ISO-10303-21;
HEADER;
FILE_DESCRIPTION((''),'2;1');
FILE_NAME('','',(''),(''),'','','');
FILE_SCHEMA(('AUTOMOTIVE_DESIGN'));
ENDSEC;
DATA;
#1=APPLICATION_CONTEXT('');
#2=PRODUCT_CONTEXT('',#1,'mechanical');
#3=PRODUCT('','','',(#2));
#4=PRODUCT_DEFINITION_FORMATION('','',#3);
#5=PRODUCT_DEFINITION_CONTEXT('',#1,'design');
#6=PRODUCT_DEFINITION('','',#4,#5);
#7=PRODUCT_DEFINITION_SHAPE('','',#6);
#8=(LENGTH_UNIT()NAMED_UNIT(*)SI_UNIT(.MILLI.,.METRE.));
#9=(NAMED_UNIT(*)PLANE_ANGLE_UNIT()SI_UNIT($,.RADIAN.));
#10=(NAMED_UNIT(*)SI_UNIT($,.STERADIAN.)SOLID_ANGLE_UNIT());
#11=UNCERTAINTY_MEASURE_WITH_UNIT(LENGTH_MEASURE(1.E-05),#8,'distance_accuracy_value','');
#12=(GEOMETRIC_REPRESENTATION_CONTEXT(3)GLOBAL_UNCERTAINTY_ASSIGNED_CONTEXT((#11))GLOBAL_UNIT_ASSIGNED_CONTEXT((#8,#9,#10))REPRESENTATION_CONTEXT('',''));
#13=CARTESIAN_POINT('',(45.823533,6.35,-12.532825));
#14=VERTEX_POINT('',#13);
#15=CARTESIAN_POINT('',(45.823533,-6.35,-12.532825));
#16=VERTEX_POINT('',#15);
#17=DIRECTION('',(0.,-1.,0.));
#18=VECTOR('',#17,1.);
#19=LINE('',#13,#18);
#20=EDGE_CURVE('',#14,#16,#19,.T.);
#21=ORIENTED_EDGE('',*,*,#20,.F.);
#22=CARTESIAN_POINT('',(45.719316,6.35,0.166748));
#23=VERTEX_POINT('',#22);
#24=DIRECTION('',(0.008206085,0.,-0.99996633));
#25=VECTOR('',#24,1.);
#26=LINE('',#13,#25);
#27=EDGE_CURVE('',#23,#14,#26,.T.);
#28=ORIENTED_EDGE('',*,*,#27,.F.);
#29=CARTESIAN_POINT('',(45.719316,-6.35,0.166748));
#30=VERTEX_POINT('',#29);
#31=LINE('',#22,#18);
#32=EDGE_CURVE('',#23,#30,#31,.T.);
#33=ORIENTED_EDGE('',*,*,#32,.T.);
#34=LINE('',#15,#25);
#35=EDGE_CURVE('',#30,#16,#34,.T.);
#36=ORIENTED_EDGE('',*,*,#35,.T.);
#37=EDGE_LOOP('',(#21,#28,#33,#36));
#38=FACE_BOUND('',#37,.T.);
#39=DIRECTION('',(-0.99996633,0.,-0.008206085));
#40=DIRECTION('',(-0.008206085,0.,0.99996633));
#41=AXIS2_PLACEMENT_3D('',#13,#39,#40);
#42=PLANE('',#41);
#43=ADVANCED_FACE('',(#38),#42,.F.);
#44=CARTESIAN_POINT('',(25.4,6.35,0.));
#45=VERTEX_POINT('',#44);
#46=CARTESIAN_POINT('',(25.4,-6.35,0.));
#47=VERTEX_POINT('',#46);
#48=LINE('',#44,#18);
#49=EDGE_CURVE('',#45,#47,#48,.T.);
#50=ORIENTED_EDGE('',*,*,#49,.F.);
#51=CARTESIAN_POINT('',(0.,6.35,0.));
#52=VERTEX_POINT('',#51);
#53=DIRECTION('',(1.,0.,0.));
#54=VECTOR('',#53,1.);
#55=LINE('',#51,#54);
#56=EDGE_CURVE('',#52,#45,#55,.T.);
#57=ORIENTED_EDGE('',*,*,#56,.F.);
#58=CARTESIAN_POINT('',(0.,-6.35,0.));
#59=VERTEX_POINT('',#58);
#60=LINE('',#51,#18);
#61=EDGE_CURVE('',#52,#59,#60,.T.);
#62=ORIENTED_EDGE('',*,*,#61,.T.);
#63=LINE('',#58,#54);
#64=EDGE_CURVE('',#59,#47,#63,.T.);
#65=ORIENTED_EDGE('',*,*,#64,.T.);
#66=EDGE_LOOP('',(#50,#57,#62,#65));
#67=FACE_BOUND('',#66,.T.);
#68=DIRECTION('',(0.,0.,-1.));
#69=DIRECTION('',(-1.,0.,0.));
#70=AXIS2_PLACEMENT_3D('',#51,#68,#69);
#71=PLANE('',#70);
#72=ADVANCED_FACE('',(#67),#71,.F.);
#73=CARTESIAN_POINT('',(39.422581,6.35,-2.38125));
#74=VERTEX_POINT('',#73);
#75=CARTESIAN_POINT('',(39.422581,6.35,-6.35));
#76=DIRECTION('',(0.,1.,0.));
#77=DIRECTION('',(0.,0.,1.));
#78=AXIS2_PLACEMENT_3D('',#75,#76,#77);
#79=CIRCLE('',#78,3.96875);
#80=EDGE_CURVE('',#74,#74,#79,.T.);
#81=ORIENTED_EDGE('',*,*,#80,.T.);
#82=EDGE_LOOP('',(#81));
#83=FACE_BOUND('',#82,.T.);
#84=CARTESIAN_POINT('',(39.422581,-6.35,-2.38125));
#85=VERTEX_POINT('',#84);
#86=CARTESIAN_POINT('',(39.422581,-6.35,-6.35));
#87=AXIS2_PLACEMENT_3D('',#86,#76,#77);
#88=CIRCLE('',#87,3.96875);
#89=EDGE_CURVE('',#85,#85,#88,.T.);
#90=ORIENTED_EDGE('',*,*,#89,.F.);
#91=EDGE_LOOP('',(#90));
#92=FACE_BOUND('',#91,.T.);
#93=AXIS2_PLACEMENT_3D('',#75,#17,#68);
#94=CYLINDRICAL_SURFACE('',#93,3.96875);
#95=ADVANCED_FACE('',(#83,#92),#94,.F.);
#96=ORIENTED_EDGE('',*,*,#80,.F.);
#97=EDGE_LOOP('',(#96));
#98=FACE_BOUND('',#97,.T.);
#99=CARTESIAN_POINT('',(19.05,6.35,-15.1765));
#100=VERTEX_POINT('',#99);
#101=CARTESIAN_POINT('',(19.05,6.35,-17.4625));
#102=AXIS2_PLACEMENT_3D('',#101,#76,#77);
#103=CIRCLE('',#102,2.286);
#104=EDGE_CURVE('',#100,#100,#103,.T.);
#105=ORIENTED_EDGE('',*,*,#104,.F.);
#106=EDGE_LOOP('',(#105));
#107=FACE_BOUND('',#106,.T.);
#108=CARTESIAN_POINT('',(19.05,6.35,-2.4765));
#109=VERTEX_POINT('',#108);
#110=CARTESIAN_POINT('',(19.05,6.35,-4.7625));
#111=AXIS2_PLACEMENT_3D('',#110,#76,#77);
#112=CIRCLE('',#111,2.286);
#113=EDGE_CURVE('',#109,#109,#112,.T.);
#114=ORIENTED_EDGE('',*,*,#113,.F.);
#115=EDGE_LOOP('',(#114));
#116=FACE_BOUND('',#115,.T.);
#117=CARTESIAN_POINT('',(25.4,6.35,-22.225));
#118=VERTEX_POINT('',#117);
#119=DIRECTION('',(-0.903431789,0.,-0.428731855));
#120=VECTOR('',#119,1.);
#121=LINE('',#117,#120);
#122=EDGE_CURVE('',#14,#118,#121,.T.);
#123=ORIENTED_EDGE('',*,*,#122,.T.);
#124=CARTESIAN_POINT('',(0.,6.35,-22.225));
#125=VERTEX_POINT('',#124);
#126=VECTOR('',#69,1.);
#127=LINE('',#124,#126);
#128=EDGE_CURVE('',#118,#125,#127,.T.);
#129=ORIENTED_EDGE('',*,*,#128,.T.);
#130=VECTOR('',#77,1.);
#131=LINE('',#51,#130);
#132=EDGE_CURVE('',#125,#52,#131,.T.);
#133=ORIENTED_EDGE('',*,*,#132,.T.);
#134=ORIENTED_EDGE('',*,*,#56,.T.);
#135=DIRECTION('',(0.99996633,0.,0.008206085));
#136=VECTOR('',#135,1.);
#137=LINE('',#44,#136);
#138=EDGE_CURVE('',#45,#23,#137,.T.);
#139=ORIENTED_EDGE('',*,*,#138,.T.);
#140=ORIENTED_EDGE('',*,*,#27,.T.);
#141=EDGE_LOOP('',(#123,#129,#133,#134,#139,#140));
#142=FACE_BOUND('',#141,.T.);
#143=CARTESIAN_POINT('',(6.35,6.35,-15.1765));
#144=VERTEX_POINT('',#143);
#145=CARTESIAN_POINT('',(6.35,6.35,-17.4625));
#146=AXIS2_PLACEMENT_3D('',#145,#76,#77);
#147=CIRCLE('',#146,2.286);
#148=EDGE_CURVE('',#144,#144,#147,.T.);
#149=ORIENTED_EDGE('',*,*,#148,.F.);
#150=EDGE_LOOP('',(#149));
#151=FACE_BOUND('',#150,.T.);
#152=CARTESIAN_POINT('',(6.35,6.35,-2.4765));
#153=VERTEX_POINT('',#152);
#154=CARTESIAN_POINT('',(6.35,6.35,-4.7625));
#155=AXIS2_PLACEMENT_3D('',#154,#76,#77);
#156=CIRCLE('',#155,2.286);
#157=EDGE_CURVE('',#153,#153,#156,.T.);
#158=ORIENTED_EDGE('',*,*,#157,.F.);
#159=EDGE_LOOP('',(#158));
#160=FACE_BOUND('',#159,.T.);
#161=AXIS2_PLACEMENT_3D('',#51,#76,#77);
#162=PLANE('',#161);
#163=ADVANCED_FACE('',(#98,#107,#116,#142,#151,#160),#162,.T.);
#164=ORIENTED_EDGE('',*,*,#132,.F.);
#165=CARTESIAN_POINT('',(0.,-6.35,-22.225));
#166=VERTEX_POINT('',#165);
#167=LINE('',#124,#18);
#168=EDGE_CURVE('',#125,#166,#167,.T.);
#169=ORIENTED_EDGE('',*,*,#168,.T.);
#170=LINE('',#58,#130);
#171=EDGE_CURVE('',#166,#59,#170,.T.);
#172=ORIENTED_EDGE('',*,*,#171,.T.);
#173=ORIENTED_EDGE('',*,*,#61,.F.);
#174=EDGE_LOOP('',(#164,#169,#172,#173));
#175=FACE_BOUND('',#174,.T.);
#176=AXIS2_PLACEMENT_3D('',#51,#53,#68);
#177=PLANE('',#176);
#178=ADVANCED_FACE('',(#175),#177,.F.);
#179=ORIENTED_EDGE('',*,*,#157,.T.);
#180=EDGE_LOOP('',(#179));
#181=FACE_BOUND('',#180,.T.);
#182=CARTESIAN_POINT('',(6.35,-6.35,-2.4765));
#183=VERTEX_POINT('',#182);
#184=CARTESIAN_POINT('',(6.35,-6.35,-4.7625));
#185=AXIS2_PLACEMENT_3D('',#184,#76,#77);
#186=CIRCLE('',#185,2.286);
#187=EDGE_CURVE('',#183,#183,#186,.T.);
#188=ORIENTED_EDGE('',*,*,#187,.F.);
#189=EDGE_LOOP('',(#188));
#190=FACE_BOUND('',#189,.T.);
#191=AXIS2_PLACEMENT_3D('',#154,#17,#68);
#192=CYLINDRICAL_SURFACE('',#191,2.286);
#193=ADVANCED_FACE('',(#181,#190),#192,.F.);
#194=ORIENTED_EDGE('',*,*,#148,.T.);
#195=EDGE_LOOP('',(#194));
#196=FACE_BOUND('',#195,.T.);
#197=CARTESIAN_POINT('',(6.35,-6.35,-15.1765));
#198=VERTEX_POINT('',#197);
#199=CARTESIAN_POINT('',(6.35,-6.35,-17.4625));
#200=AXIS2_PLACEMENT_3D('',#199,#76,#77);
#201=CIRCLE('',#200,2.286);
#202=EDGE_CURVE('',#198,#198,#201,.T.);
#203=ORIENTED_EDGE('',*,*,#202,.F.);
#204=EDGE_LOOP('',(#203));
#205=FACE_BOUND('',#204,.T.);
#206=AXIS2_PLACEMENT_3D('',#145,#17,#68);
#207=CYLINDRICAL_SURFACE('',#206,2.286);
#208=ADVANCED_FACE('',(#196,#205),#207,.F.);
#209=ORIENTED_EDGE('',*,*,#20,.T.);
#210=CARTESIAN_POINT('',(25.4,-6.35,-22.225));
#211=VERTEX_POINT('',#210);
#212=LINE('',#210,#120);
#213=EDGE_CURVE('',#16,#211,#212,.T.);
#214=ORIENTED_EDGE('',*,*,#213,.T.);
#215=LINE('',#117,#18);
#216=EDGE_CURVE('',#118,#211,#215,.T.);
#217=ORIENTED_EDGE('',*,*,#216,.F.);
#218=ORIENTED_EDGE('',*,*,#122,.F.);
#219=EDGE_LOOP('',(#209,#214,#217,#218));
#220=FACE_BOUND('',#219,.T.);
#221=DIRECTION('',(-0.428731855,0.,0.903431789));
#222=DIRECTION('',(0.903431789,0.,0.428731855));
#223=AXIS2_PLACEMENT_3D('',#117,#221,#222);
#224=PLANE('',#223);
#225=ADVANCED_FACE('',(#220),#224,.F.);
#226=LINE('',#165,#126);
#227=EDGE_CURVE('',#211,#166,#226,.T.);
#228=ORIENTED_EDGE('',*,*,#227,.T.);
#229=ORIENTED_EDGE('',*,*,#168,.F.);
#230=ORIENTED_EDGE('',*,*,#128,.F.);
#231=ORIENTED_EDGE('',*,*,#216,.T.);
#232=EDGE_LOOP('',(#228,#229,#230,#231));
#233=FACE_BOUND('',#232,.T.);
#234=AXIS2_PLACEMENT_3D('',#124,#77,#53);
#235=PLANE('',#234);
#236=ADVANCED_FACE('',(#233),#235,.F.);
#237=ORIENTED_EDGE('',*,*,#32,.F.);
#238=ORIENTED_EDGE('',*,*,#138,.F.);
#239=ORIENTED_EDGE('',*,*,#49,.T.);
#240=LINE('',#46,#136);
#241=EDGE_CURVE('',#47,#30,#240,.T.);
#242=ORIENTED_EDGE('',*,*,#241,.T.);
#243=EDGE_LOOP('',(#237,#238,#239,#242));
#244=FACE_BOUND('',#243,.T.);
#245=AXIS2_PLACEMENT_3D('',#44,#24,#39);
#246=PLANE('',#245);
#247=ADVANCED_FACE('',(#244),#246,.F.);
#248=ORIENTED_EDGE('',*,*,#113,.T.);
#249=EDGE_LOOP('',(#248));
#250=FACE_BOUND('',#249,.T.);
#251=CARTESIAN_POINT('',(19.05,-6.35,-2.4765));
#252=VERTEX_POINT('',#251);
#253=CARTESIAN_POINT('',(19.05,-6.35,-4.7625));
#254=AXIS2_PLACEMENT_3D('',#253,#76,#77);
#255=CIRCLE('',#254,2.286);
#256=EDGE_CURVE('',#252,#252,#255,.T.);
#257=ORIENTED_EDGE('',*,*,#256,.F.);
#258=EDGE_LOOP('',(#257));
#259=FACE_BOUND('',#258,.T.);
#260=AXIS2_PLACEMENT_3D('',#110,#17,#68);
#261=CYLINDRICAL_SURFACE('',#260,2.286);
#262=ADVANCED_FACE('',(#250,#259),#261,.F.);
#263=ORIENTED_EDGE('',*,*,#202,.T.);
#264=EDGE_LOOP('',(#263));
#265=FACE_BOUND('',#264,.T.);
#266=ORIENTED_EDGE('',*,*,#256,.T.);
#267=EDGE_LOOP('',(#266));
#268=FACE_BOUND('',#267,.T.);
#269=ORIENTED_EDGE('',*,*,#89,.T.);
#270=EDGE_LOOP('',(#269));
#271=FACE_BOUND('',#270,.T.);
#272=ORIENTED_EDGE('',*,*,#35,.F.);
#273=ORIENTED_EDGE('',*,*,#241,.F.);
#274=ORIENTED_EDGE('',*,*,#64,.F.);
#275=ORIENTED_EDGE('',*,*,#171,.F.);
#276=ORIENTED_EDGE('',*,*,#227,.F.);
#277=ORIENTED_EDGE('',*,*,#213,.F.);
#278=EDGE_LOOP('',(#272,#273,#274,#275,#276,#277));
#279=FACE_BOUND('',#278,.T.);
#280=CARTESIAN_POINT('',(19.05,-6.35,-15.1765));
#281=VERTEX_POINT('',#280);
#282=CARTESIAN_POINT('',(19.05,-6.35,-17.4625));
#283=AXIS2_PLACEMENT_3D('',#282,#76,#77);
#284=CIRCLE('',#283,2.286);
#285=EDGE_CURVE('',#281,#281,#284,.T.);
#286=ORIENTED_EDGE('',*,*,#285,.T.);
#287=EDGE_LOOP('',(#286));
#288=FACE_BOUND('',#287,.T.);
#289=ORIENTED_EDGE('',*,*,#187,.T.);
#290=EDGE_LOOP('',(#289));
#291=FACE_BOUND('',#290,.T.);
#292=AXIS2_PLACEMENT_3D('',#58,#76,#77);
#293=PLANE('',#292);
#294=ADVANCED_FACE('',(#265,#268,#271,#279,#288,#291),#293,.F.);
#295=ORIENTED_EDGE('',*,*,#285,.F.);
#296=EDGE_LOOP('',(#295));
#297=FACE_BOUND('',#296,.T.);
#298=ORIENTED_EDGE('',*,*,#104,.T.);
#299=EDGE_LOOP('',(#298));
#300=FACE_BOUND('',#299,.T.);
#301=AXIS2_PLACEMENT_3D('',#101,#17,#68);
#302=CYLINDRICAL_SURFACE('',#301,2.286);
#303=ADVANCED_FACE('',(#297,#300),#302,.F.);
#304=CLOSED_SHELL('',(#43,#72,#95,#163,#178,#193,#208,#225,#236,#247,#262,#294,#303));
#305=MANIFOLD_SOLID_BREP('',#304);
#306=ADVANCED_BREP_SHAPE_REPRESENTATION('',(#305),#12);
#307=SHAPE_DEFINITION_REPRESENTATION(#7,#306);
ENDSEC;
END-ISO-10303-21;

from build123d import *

# Parameters (mm, degrees)
SKETCH1_R           = 3.96875
SKETCH1_R_2         = 2.286
BOSS_EXTRUDE1_DEPTH = 6.35


with BuildPart() as part:
    # Sketch1 → Boss-Extrude1 (new, symmetric)
    with BuildSketch(Plane(origin=(0, 0, 0), x_dir=(1, 0, 0), z_dir=(0, 1, 0))):
        Polygon((25.4, 22.225), (45.823533094, 12.53282474), (45.719315816, -0.166747645), (25.4, 0), (0, 0), (0, 22.225), align=None)
        with Locations(Location((39.422580786, 6.35, 0), (0, 0, 270))):
            Circle(SKETCH1_R, mode=Mode.SUBTRACT)
        with Locations(Location((6.35, 4.7625, 0), (0, 0, 270))):
            Circle(SKETCH1_R_2, mode=Mode.SUBTRACT)
        with Locations(Location((19.05, 4.7625, 0), (0, 0, 270))):
            Circle(SKETCH1_R_2, mode=Mode.SUBTRACT)
        with Locations(Location((19.05, 17.4625, 0), (0, 0, 270))):
            Circle(SKETCH1_R_2, mode=Mode.SUBTRACT)
        with Locations(Location((6.35, 17.4625, 0), (0, 0, 270))):
            Circle(SKETCH1_R_2, mode=Mode.SUBTRACT)
    extrude(amount=BOSS_EXTRUDE1_DEPTH, both=True)


solid = part.part
